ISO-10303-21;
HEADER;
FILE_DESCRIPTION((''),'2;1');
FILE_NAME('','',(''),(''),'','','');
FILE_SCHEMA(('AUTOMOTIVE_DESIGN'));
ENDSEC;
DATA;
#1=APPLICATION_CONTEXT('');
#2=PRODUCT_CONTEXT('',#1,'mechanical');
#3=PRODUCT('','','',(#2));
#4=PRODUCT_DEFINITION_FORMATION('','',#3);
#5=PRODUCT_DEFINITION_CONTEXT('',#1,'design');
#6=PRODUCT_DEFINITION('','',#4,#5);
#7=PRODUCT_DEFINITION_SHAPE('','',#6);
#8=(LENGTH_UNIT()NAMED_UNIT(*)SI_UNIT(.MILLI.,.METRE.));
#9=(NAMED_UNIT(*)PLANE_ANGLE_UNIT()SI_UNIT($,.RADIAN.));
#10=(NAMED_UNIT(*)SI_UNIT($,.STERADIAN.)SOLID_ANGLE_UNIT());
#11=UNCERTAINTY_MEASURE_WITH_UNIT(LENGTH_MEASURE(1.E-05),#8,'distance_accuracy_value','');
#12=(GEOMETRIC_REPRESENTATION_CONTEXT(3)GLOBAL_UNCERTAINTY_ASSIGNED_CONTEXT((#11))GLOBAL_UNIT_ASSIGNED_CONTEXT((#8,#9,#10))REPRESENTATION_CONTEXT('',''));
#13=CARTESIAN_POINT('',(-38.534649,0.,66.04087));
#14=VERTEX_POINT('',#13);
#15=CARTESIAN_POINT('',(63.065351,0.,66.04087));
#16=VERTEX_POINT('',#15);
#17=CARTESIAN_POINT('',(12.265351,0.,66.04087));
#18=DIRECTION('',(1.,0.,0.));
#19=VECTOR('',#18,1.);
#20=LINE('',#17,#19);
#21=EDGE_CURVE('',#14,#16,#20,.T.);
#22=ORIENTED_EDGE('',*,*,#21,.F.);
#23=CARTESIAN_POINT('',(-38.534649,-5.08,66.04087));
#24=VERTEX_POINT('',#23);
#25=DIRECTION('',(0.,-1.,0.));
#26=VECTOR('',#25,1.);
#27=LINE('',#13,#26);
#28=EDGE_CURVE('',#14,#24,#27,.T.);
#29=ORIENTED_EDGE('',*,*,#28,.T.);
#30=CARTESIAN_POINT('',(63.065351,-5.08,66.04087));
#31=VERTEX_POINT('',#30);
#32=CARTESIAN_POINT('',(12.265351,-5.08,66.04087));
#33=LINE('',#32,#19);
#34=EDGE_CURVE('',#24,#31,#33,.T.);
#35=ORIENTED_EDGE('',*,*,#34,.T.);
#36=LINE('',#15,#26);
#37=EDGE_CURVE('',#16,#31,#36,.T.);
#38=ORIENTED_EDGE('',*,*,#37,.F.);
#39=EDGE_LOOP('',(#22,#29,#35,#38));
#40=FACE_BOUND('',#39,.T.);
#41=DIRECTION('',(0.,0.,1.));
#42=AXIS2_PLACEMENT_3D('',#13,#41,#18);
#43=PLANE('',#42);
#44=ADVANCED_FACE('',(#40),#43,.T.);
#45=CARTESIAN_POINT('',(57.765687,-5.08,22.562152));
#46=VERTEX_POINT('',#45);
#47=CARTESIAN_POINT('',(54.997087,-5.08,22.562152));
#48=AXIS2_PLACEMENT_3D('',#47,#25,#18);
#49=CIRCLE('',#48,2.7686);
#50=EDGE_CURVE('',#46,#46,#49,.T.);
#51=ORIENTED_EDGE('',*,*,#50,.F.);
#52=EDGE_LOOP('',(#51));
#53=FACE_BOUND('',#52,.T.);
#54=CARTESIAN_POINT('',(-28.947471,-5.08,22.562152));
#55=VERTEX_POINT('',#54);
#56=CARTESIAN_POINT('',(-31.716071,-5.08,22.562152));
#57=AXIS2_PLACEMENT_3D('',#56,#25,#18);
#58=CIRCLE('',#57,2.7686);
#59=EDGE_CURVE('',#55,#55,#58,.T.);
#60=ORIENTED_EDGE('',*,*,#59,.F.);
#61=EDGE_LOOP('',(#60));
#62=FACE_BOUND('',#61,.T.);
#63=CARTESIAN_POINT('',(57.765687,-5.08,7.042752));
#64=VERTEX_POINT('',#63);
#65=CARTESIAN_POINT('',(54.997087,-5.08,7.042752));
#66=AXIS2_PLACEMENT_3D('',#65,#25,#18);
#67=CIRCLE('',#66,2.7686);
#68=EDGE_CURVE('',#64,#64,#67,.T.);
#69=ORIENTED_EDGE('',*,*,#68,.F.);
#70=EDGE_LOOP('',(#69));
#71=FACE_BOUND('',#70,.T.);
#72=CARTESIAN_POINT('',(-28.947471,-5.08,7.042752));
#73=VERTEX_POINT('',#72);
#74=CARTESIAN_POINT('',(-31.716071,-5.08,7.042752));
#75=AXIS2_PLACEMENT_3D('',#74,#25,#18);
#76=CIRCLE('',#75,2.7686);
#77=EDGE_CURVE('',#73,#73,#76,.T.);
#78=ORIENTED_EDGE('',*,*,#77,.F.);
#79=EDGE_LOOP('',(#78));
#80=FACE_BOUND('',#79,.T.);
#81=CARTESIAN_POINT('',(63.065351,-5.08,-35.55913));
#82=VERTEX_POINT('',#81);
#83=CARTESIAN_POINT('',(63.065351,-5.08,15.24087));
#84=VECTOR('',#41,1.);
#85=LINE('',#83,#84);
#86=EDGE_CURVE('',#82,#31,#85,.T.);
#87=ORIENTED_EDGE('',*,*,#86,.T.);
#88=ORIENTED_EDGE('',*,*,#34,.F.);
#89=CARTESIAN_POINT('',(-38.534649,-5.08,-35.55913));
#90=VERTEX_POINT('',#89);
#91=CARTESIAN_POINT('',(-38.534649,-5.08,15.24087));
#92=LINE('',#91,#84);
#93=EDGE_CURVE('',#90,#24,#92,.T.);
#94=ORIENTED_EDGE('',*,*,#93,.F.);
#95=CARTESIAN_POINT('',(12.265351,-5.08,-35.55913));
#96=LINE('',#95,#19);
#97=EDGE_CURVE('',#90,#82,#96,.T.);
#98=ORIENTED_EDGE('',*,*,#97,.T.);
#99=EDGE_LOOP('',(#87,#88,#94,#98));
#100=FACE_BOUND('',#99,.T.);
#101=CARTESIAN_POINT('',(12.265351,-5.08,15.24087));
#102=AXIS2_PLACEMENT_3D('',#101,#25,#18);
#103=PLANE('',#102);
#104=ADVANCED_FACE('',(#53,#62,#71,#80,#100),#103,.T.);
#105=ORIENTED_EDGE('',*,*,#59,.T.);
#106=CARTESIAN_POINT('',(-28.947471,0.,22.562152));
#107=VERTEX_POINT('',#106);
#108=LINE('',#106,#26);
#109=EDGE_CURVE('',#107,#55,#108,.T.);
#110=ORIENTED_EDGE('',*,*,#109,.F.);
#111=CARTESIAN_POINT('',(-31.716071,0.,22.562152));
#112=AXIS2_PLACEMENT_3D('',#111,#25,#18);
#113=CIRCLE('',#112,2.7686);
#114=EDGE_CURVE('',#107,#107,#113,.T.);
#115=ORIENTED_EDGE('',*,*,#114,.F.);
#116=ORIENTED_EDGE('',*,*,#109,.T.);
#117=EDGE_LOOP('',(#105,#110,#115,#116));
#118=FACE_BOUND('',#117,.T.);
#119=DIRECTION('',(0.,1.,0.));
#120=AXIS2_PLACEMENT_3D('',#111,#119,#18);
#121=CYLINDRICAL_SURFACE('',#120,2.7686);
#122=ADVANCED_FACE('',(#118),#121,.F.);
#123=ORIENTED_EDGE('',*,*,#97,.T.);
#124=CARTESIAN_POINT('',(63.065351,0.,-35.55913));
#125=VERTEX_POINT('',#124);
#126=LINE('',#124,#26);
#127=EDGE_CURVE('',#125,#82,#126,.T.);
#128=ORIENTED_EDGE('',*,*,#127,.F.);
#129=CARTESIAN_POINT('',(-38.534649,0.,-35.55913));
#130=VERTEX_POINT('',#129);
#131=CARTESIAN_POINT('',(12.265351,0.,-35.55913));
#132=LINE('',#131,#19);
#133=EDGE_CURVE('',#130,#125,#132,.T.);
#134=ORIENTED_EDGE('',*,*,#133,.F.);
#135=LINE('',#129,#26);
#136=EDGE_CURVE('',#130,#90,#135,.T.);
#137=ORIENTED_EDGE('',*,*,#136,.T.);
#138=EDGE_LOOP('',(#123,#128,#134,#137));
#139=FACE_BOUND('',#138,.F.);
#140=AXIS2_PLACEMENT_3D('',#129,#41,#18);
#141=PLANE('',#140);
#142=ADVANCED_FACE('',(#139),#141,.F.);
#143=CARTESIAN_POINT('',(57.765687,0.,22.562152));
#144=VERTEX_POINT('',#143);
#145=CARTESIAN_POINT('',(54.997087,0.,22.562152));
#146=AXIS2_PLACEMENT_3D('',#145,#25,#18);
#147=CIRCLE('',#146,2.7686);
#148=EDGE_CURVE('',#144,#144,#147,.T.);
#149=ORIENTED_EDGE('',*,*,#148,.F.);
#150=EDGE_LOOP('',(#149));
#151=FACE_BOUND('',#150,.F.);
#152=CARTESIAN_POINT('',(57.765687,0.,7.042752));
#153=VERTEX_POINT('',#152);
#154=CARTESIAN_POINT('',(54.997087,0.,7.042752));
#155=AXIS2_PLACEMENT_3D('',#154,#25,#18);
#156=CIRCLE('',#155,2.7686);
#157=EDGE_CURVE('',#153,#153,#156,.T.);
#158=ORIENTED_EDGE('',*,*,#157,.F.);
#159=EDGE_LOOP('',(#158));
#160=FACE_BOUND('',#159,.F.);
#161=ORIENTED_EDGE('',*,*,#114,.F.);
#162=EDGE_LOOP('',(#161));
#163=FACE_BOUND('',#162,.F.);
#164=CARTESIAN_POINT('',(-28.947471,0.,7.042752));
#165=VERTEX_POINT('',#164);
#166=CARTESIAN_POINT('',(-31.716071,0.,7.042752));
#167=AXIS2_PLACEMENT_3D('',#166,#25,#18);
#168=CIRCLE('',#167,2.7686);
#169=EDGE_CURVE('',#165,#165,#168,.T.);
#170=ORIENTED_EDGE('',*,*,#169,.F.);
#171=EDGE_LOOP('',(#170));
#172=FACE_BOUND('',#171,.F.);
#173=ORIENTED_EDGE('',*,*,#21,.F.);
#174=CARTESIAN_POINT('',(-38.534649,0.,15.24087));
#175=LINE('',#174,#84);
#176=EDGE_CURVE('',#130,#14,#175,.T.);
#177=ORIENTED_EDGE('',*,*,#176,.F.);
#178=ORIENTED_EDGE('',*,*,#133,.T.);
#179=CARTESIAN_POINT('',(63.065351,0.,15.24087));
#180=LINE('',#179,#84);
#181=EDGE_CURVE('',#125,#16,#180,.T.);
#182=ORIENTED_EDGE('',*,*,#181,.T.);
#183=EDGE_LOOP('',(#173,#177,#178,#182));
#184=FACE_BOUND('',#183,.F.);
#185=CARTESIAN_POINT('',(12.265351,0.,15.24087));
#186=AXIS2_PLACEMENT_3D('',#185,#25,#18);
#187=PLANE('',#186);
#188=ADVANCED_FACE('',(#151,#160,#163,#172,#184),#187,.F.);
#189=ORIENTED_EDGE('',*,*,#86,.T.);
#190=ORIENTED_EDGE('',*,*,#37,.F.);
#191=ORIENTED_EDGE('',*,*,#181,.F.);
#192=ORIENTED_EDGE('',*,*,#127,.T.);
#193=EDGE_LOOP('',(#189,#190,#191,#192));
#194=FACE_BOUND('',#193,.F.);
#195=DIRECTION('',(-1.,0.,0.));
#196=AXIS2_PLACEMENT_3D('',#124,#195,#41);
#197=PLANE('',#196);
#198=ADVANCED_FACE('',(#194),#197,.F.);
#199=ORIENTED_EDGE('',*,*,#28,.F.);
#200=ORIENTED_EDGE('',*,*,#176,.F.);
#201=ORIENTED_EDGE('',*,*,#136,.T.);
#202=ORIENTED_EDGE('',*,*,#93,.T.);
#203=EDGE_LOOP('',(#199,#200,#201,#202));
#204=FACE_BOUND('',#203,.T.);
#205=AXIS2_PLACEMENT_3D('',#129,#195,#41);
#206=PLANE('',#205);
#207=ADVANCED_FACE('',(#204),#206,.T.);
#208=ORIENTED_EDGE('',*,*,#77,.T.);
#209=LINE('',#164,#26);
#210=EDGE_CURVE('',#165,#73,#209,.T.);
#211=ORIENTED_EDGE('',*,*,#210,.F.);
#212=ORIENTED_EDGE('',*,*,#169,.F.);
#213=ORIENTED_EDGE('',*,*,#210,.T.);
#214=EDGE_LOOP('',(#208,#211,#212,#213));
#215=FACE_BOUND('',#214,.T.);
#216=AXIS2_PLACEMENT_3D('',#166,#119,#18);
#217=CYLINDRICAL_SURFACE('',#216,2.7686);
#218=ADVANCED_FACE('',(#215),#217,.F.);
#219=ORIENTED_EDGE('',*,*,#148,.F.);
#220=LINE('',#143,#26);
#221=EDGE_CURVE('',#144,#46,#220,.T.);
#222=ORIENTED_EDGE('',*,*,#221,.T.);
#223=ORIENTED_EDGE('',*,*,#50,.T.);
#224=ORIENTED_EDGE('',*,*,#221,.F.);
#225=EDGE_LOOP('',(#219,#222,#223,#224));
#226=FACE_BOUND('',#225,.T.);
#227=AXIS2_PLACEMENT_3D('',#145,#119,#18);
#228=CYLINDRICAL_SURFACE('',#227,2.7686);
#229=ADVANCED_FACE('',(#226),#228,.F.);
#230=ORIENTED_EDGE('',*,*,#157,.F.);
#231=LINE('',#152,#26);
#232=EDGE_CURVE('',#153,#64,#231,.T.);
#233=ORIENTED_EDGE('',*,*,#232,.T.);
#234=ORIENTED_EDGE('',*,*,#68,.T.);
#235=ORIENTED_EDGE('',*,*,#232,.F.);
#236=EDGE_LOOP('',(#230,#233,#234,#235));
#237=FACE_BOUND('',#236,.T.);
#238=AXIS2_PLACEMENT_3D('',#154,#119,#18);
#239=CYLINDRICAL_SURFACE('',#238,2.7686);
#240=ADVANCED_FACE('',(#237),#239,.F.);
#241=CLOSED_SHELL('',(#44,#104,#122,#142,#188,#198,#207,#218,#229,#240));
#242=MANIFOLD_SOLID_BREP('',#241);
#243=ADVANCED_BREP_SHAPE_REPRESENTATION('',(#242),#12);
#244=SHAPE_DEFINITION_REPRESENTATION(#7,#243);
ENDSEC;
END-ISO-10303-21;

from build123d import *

# Parameters (mm, degrees)
F0_W     = 101.6
F0_H     = 101.6
F0_R     = 2.7686
F1_DEPTH = 5.08
F2_DEPTH = 5.08


with BuildPart() as f1:
    # F0 (on Front) → F1 (new body)
    with BuildSketch(Plane.XZ):
        with Locations((12.265351, 15.24087)):
            Rectangle(F0_W, F0_H)
        with Locations((-31.716071, 7.042752)):
            Circle(F0_R, mode=Mode.SUBTRACT)
        with Locations((54.997087, 7.042752)):
            Circle(F0_R, mode=Mode.SUBTRACT)
        with Locations((-31.716071, 22.562152)):
            Circle(F0_R, mode=Mode.SUBTRACT)
        with Locations((54.997087, 22.562152)):
            Circle(F0_R, mode=Mode.SUBTRACT)
    extrude(amount=F1_DEPTH)

    # F0 (on Front) → F2 (join)
    with BuildSketch(Plane.XZ):
        with Locations((12.265351, 15.24087)):
            Rectangle(F0_W, F0_H)
        with Locations((-31.716071, 7.042752)):
            Circle(F0_R, mode=Mode.SUBTRACT)
        with Locations((54.997087, 7.042752)):
            Circle(F0_R, mode=Mode.SUBTRACT)
        with Locations((-31.716071, 22.562152)):
            Circle(F0_R, mode=Mode.SUBTRACT)
        with Locations((54.997087, 22.562152)):
            Circle(F0_R, mode=Mode.SUBTRACT)
    extrude(amount=F2_DEPTH)


solid = f1.part
